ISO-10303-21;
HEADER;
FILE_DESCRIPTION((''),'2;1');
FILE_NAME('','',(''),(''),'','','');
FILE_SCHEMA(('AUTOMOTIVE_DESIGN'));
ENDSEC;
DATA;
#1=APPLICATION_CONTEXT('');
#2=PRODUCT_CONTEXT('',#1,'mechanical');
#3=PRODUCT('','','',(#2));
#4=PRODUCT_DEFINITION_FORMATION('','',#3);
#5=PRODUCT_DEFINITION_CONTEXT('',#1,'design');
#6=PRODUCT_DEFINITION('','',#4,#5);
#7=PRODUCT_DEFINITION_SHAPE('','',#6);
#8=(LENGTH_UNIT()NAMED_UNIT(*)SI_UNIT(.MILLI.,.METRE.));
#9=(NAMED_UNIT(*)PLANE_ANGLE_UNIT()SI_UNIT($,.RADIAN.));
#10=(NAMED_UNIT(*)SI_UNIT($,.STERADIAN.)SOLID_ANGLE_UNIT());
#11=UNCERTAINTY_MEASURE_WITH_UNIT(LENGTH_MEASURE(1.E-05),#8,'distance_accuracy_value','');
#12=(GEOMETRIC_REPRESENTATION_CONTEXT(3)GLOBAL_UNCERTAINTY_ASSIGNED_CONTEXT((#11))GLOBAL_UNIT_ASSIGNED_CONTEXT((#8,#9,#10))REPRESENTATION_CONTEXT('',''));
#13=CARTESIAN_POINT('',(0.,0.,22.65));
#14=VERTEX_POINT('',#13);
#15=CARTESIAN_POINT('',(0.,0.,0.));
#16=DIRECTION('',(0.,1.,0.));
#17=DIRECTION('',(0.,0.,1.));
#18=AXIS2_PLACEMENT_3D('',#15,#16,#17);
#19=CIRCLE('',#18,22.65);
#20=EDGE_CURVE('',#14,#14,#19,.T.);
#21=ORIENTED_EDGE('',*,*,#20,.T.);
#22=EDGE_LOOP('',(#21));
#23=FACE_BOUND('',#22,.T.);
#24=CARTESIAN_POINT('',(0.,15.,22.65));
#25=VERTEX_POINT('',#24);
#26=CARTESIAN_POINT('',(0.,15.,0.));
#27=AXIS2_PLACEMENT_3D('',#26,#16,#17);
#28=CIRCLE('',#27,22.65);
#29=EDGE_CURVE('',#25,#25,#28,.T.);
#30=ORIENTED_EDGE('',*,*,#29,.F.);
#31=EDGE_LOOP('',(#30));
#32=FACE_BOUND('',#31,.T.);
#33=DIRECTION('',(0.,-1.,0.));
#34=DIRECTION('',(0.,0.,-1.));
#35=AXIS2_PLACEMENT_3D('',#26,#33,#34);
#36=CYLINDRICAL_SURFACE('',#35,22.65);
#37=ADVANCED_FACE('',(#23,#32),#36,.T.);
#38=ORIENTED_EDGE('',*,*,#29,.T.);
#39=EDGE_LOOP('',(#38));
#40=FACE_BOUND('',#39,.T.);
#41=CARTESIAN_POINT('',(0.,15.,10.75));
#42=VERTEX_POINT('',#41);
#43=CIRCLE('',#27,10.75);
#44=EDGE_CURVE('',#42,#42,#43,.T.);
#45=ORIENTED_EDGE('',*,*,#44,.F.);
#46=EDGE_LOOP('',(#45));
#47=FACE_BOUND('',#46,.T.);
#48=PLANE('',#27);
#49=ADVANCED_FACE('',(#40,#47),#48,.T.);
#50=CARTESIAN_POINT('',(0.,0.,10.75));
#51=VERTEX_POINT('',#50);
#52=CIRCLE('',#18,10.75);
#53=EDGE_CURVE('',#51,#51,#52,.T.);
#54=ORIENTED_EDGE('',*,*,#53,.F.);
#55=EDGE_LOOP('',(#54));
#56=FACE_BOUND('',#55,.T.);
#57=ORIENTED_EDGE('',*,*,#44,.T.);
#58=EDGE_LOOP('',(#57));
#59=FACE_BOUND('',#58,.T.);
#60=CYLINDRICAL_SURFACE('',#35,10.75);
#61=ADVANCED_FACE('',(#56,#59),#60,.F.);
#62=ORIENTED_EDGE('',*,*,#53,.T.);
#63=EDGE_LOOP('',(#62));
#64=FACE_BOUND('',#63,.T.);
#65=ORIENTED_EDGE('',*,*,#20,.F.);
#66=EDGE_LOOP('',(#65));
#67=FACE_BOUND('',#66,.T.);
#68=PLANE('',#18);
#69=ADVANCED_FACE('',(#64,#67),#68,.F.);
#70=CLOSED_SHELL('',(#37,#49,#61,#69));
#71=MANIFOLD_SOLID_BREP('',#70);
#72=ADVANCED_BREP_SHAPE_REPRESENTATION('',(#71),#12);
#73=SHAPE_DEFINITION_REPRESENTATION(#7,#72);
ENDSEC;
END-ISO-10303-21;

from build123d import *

# Parameters (mm, degrees)
CROQUIS2_R              = 22.65
CROQUIS2_R_2            = 10.75
SALIENTE_EXTRUIR1_DEPTH = 15


with BuildPart() as part:
    # Croquis2 → Saliente-Extruir1 (new body)
    with BuildSketch(Plane(origin=(0, 0, 0), x_dir=(1, 0, 0), z_dir=(0, 1, 0))):
        Circle(CROQUIS2_R)
        Circle(CROQUIS2_R_2, mode=Mode.SUBTRACT)
    extrude(amount=SALIENTE_EXTRUIR1_DEPTH)


solid = part.part
